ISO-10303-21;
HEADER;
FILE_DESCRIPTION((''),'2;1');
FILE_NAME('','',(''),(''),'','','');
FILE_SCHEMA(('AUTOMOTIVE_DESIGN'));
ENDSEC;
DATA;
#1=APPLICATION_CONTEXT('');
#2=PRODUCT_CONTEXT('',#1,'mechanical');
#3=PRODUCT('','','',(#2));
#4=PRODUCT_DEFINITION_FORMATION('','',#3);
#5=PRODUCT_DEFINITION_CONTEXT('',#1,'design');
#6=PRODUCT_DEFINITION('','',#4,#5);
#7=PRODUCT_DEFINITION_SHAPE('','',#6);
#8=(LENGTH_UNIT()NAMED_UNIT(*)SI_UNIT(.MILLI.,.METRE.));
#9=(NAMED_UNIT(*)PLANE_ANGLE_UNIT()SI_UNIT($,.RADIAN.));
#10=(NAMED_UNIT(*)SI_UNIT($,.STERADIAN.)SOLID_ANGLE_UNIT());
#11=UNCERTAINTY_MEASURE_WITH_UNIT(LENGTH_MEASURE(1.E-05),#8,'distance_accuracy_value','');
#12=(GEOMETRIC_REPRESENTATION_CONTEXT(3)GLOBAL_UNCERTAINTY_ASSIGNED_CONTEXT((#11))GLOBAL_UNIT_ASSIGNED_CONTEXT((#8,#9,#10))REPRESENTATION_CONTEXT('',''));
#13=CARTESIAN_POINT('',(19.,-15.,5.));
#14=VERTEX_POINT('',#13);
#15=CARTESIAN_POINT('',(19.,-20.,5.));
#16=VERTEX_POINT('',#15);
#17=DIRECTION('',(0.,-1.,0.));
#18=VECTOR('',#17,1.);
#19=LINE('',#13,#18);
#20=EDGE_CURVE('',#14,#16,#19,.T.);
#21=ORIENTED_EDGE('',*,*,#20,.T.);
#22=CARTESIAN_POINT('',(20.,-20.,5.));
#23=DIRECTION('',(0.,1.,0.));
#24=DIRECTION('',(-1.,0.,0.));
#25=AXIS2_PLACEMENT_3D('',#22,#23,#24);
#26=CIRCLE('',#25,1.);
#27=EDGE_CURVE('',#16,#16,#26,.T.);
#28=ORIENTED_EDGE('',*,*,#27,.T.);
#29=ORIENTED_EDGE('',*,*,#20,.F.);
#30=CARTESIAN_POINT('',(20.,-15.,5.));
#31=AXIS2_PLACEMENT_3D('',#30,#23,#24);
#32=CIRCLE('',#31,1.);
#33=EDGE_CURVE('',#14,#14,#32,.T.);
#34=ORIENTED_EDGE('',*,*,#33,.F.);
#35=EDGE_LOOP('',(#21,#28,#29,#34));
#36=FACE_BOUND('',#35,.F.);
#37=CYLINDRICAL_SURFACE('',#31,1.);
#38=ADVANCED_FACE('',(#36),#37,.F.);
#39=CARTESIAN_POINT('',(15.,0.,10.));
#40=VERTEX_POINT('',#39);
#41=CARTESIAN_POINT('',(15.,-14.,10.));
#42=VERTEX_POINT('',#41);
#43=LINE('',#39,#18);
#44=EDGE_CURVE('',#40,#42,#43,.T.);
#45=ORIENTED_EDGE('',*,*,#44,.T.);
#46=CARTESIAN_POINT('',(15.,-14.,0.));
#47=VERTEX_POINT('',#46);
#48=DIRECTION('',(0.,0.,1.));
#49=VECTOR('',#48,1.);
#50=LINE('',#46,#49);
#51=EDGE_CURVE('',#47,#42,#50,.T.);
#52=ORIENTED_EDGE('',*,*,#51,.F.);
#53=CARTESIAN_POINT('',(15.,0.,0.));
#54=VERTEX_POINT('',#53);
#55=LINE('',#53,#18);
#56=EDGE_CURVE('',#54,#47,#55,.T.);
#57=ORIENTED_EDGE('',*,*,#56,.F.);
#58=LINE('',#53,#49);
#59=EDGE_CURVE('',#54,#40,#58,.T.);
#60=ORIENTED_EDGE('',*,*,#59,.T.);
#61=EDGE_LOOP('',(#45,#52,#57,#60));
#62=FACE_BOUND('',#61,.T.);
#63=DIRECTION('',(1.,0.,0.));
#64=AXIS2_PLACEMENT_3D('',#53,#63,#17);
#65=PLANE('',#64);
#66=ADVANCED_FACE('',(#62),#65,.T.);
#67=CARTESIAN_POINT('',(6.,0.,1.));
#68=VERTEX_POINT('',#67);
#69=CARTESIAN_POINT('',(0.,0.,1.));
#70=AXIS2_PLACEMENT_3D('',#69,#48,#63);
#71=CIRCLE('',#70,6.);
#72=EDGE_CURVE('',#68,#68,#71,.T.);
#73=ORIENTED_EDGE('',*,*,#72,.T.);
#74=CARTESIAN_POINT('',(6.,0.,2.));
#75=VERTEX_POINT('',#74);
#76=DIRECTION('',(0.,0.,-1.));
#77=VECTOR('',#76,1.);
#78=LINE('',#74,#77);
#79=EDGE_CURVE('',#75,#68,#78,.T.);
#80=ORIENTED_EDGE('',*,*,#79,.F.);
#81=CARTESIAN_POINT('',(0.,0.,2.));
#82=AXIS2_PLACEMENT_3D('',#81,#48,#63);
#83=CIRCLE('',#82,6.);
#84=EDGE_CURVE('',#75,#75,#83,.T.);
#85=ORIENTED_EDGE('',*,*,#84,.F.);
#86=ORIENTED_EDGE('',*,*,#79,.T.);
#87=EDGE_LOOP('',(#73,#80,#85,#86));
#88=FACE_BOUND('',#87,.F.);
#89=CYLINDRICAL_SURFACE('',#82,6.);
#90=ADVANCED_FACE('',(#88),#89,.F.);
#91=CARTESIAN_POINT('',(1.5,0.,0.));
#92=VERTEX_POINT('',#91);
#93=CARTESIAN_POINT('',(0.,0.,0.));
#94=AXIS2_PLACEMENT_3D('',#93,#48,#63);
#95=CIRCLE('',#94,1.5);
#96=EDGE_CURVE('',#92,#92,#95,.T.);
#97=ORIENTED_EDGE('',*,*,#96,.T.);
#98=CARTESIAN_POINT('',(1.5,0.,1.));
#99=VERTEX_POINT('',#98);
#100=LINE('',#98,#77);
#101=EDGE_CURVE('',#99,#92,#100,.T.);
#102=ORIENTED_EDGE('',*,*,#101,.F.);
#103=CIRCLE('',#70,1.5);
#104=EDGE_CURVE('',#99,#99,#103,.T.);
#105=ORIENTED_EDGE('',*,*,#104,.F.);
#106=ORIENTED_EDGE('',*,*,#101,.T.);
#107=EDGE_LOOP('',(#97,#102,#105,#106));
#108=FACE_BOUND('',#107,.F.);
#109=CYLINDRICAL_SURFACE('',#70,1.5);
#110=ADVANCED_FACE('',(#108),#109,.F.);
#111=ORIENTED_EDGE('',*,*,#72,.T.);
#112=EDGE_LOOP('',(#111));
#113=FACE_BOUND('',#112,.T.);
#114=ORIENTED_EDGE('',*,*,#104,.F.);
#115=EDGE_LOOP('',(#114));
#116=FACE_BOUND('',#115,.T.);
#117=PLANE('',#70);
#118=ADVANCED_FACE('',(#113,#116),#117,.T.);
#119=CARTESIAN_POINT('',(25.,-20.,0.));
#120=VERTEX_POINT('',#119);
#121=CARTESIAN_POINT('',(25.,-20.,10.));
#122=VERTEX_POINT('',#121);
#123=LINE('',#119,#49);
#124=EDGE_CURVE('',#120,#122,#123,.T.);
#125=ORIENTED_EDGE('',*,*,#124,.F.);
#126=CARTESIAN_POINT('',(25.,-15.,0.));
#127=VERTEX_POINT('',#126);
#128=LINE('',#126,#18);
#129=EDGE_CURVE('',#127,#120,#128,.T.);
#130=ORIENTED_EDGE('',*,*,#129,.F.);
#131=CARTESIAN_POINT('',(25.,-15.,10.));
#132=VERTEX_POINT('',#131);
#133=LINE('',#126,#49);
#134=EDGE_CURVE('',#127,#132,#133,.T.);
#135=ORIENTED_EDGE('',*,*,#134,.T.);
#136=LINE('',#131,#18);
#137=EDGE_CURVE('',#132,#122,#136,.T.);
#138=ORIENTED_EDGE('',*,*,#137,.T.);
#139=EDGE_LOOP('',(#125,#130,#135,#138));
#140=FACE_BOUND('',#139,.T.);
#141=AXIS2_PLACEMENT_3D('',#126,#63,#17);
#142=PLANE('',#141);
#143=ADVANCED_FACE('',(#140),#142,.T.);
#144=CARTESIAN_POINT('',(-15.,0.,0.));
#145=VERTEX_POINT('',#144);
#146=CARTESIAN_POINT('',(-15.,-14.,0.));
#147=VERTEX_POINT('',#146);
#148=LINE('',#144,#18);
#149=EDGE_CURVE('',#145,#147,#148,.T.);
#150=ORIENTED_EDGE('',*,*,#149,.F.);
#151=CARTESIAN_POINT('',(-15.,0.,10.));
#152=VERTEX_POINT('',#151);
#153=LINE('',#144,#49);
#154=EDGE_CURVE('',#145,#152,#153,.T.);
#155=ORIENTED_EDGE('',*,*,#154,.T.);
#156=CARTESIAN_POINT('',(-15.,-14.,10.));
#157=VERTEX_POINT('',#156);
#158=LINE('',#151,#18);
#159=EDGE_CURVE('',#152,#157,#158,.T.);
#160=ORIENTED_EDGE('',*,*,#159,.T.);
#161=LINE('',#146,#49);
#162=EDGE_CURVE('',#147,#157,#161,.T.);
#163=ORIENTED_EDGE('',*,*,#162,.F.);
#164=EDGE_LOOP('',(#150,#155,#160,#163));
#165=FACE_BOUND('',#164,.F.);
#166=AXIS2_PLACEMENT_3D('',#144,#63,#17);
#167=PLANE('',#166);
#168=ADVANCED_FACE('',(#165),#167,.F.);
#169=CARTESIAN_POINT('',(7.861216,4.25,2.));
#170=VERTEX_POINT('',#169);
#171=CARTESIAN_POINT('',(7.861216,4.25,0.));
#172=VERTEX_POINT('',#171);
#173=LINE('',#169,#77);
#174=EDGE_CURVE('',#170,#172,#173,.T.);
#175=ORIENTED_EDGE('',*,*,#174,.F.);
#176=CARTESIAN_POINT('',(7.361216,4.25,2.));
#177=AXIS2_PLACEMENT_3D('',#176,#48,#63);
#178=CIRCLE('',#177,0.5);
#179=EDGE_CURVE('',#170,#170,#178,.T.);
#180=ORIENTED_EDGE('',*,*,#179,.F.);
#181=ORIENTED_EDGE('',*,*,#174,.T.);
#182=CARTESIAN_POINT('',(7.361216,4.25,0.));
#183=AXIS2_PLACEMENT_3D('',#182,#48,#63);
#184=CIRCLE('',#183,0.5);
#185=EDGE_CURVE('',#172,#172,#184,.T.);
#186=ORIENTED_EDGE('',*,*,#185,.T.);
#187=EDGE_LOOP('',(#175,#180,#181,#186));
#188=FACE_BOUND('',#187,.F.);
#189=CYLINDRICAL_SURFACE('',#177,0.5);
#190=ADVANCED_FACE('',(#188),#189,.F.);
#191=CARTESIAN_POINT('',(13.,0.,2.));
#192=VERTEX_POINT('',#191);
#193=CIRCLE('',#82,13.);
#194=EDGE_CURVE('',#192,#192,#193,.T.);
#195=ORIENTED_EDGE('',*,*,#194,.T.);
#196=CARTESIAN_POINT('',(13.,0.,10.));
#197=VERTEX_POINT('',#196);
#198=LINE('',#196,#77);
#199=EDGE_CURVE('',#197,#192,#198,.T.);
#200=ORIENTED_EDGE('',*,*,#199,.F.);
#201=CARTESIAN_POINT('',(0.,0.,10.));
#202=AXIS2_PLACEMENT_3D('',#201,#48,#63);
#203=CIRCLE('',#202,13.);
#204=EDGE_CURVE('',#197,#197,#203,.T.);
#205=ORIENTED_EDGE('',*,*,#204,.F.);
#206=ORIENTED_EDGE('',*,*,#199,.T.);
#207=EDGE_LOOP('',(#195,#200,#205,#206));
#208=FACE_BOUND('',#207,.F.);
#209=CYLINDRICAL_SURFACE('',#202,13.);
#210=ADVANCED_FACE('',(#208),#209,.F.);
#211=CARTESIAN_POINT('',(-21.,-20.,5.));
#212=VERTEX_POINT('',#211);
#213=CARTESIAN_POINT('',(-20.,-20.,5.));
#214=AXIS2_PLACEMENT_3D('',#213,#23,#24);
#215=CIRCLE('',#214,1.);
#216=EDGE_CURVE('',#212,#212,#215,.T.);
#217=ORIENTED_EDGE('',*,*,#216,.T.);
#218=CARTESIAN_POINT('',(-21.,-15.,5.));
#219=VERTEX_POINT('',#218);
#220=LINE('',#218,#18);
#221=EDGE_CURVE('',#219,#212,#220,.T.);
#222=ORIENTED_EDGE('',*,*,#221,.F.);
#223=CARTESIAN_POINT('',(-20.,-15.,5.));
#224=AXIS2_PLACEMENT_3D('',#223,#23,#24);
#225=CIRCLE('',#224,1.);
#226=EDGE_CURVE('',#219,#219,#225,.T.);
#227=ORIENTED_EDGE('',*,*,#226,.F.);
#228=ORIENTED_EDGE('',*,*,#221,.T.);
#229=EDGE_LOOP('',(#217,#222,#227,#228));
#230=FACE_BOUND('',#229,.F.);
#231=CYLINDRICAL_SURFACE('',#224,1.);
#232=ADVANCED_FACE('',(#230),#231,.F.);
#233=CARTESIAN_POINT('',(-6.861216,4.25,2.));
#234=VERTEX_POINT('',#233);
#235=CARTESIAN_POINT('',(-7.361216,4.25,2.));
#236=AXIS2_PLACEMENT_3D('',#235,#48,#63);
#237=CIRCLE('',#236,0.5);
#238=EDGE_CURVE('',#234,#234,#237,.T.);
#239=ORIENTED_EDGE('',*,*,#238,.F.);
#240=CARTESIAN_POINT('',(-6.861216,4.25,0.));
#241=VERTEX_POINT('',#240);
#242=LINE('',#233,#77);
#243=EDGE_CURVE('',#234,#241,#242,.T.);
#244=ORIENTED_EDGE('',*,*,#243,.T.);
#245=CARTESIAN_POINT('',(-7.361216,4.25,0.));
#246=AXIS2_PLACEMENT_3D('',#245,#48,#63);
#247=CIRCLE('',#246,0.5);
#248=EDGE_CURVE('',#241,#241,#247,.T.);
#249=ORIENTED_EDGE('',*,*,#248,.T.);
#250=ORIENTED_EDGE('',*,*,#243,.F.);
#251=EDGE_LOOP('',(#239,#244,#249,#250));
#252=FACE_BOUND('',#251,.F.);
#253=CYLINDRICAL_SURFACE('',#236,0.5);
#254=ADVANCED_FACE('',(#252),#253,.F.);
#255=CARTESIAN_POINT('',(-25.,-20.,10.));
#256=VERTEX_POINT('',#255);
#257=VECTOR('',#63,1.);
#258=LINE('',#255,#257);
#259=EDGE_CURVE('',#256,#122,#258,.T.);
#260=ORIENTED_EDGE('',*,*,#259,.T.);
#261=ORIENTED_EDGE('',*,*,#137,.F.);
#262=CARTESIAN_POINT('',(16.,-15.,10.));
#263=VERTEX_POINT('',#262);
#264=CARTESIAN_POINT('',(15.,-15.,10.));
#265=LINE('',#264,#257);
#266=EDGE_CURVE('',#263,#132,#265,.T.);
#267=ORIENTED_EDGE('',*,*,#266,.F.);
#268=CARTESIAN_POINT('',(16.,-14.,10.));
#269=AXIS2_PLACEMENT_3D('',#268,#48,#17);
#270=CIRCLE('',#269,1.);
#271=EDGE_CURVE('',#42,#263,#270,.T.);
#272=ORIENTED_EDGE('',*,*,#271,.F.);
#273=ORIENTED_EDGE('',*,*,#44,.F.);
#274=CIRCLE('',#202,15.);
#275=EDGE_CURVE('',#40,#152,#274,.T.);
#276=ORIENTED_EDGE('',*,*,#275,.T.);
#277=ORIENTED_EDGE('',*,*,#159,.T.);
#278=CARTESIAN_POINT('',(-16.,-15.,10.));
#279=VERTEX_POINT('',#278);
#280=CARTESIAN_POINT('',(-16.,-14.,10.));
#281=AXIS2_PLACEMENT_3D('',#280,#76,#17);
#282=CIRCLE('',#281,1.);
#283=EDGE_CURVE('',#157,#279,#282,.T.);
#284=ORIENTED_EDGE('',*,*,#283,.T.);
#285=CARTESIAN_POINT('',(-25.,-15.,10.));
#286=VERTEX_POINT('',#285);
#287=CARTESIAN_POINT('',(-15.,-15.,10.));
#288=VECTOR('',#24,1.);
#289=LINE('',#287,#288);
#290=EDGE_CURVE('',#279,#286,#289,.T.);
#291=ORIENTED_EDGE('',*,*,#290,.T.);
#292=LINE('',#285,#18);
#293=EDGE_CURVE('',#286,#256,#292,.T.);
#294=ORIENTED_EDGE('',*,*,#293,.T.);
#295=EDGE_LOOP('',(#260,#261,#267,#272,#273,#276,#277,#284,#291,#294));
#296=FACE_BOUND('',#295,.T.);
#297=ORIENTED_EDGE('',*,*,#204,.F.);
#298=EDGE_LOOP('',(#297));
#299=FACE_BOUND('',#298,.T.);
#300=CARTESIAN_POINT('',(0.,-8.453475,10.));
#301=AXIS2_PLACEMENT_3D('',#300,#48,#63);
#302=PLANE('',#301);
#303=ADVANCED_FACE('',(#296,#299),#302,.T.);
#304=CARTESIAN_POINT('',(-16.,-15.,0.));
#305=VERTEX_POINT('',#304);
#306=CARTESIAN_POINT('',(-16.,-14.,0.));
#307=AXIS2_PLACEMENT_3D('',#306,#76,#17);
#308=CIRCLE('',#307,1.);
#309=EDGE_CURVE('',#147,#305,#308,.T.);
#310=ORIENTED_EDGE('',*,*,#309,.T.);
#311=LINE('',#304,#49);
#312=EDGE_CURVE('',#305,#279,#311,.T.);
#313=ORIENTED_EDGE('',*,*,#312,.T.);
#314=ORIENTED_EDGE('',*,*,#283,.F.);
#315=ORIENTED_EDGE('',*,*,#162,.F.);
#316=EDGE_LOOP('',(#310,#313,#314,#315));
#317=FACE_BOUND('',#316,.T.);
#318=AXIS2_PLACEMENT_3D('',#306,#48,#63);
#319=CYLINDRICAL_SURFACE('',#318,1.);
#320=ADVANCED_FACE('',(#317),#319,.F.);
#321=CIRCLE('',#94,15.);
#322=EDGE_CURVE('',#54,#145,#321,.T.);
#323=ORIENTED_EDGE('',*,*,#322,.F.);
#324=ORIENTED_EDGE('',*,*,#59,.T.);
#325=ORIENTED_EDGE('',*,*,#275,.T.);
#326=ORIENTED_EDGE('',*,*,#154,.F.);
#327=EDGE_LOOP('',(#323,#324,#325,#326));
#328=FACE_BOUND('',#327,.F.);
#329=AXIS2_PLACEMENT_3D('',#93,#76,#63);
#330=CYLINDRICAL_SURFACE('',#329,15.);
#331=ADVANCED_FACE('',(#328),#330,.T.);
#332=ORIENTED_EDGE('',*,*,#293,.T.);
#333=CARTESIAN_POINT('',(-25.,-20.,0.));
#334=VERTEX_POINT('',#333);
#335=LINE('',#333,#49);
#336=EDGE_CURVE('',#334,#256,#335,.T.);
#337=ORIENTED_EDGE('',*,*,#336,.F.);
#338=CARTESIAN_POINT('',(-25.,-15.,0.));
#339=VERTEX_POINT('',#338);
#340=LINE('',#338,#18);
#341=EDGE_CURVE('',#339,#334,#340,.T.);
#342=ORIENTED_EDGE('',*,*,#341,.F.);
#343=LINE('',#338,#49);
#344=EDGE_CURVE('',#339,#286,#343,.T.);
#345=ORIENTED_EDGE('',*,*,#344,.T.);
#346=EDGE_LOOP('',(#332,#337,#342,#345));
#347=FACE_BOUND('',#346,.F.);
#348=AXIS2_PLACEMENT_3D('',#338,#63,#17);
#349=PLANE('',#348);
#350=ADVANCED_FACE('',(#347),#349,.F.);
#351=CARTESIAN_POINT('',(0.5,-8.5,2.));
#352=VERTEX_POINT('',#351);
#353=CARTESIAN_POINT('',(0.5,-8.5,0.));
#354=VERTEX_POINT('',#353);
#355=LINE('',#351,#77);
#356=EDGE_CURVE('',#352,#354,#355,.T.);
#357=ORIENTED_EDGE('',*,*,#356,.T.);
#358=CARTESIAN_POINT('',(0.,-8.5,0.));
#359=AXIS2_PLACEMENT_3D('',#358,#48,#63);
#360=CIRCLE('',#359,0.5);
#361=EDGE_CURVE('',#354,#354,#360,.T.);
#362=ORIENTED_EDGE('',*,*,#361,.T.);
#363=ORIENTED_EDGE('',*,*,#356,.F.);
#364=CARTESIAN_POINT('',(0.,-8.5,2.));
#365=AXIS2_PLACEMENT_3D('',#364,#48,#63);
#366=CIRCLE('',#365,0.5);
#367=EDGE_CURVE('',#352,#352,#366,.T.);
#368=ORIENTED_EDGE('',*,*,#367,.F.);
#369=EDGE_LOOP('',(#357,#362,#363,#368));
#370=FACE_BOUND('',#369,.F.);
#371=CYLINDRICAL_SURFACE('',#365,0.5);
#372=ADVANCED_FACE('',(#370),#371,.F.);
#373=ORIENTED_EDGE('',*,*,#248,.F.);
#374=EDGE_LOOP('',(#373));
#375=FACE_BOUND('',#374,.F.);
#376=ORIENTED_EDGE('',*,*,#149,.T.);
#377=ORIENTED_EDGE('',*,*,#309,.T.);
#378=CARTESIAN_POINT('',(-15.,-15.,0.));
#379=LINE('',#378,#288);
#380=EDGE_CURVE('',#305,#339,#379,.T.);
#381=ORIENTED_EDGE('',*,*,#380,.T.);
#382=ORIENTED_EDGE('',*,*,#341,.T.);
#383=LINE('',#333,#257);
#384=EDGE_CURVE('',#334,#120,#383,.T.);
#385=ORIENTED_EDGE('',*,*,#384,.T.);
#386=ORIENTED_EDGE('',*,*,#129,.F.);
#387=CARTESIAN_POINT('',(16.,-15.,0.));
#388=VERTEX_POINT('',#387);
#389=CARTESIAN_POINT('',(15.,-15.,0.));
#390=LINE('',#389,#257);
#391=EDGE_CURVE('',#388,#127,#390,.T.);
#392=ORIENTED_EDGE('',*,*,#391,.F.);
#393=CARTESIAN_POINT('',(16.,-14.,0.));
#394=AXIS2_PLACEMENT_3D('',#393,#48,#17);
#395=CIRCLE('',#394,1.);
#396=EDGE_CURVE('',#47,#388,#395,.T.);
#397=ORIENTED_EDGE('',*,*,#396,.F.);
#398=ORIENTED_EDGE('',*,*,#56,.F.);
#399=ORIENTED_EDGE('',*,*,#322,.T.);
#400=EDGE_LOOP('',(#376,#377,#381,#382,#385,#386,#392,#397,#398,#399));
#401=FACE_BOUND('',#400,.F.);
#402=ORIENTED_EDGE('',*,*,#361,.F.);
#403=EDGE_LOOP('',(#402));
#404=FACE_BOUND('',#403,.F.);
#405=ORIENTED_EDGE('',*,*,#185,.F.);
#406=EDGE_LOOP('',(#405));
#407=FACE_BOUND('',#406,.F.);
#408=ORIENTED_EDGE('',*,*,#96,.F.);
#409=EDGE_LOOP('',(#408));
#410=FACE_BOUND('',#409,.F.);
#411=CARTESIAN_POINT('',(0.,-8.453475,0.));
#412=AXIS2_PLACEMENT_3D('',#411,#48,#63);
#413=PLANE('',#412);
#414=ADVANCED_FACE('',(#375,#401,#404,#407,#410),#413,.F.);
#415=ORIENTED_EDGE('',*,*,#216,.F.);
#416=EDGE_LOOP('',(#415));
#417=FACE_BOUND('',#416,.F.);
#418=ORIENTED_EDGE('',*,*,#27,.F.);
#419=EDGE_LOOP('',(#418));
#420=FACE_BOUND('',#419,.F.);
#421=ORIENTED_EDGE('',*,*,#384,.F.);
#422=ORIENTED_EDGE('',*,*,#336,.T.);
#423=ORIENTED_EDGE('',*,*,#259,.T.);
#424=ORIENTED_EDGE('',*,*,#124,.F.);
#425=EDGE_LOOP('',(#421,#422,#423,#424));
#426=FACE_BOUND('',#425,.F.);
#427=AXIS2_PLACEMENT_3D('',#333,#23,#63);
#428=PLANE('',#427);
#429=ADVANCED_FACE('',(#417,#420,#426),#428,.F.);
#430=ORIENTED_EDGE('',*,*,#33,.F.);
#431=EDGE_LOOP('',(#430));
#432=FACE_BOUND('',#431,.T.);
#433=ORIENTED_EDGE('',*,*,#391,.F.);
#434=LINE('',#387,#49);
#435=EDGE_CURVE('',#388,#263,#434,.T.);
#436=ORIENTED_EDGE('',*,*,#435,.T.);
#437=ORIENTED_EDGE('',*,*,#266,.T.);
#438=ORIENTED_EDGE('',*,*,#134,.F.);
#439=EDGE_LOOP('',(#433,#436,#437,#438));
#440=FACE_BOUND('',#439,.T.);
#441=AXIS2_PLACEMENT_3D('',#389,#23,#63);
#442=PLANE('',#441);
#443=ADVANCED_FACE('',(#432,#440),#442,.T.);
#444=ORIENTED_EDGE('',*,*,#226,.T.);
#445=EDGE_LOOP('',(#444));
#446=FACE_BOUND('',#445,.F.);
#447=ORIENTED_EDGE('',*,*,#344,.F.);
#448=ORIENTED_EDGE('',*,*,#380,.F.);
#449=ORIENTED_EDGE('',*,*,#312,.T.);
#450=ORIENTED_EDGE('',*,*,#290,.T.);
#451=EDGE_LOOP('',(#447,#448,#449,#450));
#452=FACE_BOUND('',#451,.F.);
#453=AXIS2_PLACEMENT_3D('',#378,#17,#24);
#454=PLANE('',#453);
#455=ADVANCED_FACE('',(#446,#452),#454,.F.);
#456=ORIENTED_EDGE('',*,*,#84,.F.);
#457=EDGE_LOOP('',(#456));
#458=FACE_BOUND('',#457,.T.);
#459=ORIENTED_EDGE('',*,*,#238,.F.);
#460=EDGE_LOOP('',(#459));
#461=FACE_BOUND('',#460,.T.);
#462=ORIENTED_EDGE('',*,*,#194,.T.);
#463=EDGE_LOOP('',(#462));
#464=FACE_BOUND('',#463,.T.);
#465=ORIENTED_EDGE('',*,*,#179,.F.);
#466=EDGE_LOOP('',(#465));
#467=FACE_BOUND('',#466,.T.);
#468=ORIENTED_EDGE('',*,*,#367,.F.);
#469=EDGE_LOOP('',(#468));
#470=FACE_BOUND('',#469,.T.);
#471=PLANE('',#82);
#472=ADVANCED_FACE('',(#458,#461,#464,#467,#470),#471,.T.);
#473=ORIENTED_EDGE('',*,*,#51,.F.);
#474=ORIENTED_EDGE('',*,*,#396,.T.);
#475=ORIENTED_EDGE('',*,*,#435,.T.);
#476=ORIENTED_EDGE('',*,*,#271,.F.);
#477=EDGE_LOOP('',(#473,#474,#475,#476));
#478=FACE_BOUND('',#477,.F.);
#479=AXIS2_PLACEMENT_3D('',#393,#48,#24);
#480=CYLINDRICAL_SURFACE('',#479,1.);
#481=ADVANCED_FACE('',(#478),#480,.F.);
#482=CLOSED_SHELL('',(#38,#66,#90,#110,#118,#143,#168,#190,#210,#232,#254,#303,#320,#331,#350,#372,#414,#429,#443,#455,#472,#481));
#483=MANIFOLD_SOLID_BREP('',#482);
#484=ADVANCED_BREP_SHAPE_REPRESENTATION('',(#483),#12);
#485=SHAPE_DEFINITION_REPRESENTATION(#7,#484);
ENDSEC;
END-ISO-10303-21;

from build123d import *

# Parameters (mm, degrees)
PAD_DEPTH       = 10
SKETCH001_R     = 13
POCKET_DEPTH    = 8
SKETCH002_R     = 6
POCKET001_DEPTH = 1
SKETCH003_R     = 1.5
POCKET002_DEPTH = 1
SKETCH004_R     = 0.5
POCKET003_DEPTH = 2
SKETCH005_R     = 1
POCKET004_DEPTH = 5
FILLET_R        = 1
FILLET001_R     = 1


with BuildPart() as part:
    # Sketch → Pad (new body)
    with BuildSketch(Plane.XY):
        with BuildLine():
            ThreePointArc((15, 0), (0, 15), (-15, 0))
            Line((-15, 0), (-15, -15))
            Line((-15, -15), (-25, -15))
            Line((-25, -15), (-25, -20))
            Line((-25, -20), (25, -20))
            Line((25, -15), (25, -20))
            Line((15, -15), (25, -15))
            Line((15, 0), (15, -15))
        make_face()
    extrude(amount=PAD_DEPTH)

    # Sketch001 (on Face10 of Pad) → Pocket (cut)
    with BuildSketch(Plane.XY.offset(10)):
        Circle(SKETCH001_R)
    extrude(amount=-POCKET_DEPTH, mode=Mode.SUBTRACT)

    # Sketch002 (on Face12 of Pocket) → Pocket001 (cut)
    with BuildSketch(Plane.XY.offset(2)):
        Circle(SKETCH002_R)
    extrude(amount=-POCKET001_DEPTH, mode=Mode.SUBTRACT)

    # Sketch003 (on Face14 of Pocket001) → Pocket002 (cut)
    with BuildSketch(Plane.XY.offset(1)):
        Circle(SKETCH003_R)
    extrude(amount=-POCKET002_DEPTH, mode=Mode.SUBTRACT)

    # Sketch004 (on Face14 of Pocket002) → Pocket003 (cut)
    with BuildSketch(Plane.XY.offset(2)):
        with Locations((0, -8.5)):
            Circle(SKETCH004_R)
        with Locations((7.361216, 4.25)):
            Circle(SKETCH004_R)
        with Locations((-7.361216, 4.25)):
            Circle(SKETCH004_R)
    extrude(amount=-POCKET003_DEPTH, mode=Mode.SUBTRACT)

    # Sketch005 (on Face6 of Pocket003) → Pocket004 (cut)
    with BuildSketch(Plane(origin=(0, -15, 0), x_dir=(-1, 0, 0), z_dir=(0, 1, 0))):
        with Locations((-20, 5)):
            Circle(SKETCH005_R)
        with Locations((20, 5)):
            Circle(SKETCH005_R)
    extrude(amount=-POCKET004_DEPTH, mode=Mode.SUBTRACT)

    # Fillet
    fillet_edges = [part.edges().sort_by_distance(p)[0] for p in [
        (-15, -15, 5),
    ]]
    fillet(fillet_edges, radius=FILLET_R)

    # Fillet001
    fillet001_edges = [part.edges().sort_by_distance(p)[0] for p in [
        (15, -15, 5),
    ]]
    fillet(fillet001_edges, radius=FILLET001_R)


solid = part.part
